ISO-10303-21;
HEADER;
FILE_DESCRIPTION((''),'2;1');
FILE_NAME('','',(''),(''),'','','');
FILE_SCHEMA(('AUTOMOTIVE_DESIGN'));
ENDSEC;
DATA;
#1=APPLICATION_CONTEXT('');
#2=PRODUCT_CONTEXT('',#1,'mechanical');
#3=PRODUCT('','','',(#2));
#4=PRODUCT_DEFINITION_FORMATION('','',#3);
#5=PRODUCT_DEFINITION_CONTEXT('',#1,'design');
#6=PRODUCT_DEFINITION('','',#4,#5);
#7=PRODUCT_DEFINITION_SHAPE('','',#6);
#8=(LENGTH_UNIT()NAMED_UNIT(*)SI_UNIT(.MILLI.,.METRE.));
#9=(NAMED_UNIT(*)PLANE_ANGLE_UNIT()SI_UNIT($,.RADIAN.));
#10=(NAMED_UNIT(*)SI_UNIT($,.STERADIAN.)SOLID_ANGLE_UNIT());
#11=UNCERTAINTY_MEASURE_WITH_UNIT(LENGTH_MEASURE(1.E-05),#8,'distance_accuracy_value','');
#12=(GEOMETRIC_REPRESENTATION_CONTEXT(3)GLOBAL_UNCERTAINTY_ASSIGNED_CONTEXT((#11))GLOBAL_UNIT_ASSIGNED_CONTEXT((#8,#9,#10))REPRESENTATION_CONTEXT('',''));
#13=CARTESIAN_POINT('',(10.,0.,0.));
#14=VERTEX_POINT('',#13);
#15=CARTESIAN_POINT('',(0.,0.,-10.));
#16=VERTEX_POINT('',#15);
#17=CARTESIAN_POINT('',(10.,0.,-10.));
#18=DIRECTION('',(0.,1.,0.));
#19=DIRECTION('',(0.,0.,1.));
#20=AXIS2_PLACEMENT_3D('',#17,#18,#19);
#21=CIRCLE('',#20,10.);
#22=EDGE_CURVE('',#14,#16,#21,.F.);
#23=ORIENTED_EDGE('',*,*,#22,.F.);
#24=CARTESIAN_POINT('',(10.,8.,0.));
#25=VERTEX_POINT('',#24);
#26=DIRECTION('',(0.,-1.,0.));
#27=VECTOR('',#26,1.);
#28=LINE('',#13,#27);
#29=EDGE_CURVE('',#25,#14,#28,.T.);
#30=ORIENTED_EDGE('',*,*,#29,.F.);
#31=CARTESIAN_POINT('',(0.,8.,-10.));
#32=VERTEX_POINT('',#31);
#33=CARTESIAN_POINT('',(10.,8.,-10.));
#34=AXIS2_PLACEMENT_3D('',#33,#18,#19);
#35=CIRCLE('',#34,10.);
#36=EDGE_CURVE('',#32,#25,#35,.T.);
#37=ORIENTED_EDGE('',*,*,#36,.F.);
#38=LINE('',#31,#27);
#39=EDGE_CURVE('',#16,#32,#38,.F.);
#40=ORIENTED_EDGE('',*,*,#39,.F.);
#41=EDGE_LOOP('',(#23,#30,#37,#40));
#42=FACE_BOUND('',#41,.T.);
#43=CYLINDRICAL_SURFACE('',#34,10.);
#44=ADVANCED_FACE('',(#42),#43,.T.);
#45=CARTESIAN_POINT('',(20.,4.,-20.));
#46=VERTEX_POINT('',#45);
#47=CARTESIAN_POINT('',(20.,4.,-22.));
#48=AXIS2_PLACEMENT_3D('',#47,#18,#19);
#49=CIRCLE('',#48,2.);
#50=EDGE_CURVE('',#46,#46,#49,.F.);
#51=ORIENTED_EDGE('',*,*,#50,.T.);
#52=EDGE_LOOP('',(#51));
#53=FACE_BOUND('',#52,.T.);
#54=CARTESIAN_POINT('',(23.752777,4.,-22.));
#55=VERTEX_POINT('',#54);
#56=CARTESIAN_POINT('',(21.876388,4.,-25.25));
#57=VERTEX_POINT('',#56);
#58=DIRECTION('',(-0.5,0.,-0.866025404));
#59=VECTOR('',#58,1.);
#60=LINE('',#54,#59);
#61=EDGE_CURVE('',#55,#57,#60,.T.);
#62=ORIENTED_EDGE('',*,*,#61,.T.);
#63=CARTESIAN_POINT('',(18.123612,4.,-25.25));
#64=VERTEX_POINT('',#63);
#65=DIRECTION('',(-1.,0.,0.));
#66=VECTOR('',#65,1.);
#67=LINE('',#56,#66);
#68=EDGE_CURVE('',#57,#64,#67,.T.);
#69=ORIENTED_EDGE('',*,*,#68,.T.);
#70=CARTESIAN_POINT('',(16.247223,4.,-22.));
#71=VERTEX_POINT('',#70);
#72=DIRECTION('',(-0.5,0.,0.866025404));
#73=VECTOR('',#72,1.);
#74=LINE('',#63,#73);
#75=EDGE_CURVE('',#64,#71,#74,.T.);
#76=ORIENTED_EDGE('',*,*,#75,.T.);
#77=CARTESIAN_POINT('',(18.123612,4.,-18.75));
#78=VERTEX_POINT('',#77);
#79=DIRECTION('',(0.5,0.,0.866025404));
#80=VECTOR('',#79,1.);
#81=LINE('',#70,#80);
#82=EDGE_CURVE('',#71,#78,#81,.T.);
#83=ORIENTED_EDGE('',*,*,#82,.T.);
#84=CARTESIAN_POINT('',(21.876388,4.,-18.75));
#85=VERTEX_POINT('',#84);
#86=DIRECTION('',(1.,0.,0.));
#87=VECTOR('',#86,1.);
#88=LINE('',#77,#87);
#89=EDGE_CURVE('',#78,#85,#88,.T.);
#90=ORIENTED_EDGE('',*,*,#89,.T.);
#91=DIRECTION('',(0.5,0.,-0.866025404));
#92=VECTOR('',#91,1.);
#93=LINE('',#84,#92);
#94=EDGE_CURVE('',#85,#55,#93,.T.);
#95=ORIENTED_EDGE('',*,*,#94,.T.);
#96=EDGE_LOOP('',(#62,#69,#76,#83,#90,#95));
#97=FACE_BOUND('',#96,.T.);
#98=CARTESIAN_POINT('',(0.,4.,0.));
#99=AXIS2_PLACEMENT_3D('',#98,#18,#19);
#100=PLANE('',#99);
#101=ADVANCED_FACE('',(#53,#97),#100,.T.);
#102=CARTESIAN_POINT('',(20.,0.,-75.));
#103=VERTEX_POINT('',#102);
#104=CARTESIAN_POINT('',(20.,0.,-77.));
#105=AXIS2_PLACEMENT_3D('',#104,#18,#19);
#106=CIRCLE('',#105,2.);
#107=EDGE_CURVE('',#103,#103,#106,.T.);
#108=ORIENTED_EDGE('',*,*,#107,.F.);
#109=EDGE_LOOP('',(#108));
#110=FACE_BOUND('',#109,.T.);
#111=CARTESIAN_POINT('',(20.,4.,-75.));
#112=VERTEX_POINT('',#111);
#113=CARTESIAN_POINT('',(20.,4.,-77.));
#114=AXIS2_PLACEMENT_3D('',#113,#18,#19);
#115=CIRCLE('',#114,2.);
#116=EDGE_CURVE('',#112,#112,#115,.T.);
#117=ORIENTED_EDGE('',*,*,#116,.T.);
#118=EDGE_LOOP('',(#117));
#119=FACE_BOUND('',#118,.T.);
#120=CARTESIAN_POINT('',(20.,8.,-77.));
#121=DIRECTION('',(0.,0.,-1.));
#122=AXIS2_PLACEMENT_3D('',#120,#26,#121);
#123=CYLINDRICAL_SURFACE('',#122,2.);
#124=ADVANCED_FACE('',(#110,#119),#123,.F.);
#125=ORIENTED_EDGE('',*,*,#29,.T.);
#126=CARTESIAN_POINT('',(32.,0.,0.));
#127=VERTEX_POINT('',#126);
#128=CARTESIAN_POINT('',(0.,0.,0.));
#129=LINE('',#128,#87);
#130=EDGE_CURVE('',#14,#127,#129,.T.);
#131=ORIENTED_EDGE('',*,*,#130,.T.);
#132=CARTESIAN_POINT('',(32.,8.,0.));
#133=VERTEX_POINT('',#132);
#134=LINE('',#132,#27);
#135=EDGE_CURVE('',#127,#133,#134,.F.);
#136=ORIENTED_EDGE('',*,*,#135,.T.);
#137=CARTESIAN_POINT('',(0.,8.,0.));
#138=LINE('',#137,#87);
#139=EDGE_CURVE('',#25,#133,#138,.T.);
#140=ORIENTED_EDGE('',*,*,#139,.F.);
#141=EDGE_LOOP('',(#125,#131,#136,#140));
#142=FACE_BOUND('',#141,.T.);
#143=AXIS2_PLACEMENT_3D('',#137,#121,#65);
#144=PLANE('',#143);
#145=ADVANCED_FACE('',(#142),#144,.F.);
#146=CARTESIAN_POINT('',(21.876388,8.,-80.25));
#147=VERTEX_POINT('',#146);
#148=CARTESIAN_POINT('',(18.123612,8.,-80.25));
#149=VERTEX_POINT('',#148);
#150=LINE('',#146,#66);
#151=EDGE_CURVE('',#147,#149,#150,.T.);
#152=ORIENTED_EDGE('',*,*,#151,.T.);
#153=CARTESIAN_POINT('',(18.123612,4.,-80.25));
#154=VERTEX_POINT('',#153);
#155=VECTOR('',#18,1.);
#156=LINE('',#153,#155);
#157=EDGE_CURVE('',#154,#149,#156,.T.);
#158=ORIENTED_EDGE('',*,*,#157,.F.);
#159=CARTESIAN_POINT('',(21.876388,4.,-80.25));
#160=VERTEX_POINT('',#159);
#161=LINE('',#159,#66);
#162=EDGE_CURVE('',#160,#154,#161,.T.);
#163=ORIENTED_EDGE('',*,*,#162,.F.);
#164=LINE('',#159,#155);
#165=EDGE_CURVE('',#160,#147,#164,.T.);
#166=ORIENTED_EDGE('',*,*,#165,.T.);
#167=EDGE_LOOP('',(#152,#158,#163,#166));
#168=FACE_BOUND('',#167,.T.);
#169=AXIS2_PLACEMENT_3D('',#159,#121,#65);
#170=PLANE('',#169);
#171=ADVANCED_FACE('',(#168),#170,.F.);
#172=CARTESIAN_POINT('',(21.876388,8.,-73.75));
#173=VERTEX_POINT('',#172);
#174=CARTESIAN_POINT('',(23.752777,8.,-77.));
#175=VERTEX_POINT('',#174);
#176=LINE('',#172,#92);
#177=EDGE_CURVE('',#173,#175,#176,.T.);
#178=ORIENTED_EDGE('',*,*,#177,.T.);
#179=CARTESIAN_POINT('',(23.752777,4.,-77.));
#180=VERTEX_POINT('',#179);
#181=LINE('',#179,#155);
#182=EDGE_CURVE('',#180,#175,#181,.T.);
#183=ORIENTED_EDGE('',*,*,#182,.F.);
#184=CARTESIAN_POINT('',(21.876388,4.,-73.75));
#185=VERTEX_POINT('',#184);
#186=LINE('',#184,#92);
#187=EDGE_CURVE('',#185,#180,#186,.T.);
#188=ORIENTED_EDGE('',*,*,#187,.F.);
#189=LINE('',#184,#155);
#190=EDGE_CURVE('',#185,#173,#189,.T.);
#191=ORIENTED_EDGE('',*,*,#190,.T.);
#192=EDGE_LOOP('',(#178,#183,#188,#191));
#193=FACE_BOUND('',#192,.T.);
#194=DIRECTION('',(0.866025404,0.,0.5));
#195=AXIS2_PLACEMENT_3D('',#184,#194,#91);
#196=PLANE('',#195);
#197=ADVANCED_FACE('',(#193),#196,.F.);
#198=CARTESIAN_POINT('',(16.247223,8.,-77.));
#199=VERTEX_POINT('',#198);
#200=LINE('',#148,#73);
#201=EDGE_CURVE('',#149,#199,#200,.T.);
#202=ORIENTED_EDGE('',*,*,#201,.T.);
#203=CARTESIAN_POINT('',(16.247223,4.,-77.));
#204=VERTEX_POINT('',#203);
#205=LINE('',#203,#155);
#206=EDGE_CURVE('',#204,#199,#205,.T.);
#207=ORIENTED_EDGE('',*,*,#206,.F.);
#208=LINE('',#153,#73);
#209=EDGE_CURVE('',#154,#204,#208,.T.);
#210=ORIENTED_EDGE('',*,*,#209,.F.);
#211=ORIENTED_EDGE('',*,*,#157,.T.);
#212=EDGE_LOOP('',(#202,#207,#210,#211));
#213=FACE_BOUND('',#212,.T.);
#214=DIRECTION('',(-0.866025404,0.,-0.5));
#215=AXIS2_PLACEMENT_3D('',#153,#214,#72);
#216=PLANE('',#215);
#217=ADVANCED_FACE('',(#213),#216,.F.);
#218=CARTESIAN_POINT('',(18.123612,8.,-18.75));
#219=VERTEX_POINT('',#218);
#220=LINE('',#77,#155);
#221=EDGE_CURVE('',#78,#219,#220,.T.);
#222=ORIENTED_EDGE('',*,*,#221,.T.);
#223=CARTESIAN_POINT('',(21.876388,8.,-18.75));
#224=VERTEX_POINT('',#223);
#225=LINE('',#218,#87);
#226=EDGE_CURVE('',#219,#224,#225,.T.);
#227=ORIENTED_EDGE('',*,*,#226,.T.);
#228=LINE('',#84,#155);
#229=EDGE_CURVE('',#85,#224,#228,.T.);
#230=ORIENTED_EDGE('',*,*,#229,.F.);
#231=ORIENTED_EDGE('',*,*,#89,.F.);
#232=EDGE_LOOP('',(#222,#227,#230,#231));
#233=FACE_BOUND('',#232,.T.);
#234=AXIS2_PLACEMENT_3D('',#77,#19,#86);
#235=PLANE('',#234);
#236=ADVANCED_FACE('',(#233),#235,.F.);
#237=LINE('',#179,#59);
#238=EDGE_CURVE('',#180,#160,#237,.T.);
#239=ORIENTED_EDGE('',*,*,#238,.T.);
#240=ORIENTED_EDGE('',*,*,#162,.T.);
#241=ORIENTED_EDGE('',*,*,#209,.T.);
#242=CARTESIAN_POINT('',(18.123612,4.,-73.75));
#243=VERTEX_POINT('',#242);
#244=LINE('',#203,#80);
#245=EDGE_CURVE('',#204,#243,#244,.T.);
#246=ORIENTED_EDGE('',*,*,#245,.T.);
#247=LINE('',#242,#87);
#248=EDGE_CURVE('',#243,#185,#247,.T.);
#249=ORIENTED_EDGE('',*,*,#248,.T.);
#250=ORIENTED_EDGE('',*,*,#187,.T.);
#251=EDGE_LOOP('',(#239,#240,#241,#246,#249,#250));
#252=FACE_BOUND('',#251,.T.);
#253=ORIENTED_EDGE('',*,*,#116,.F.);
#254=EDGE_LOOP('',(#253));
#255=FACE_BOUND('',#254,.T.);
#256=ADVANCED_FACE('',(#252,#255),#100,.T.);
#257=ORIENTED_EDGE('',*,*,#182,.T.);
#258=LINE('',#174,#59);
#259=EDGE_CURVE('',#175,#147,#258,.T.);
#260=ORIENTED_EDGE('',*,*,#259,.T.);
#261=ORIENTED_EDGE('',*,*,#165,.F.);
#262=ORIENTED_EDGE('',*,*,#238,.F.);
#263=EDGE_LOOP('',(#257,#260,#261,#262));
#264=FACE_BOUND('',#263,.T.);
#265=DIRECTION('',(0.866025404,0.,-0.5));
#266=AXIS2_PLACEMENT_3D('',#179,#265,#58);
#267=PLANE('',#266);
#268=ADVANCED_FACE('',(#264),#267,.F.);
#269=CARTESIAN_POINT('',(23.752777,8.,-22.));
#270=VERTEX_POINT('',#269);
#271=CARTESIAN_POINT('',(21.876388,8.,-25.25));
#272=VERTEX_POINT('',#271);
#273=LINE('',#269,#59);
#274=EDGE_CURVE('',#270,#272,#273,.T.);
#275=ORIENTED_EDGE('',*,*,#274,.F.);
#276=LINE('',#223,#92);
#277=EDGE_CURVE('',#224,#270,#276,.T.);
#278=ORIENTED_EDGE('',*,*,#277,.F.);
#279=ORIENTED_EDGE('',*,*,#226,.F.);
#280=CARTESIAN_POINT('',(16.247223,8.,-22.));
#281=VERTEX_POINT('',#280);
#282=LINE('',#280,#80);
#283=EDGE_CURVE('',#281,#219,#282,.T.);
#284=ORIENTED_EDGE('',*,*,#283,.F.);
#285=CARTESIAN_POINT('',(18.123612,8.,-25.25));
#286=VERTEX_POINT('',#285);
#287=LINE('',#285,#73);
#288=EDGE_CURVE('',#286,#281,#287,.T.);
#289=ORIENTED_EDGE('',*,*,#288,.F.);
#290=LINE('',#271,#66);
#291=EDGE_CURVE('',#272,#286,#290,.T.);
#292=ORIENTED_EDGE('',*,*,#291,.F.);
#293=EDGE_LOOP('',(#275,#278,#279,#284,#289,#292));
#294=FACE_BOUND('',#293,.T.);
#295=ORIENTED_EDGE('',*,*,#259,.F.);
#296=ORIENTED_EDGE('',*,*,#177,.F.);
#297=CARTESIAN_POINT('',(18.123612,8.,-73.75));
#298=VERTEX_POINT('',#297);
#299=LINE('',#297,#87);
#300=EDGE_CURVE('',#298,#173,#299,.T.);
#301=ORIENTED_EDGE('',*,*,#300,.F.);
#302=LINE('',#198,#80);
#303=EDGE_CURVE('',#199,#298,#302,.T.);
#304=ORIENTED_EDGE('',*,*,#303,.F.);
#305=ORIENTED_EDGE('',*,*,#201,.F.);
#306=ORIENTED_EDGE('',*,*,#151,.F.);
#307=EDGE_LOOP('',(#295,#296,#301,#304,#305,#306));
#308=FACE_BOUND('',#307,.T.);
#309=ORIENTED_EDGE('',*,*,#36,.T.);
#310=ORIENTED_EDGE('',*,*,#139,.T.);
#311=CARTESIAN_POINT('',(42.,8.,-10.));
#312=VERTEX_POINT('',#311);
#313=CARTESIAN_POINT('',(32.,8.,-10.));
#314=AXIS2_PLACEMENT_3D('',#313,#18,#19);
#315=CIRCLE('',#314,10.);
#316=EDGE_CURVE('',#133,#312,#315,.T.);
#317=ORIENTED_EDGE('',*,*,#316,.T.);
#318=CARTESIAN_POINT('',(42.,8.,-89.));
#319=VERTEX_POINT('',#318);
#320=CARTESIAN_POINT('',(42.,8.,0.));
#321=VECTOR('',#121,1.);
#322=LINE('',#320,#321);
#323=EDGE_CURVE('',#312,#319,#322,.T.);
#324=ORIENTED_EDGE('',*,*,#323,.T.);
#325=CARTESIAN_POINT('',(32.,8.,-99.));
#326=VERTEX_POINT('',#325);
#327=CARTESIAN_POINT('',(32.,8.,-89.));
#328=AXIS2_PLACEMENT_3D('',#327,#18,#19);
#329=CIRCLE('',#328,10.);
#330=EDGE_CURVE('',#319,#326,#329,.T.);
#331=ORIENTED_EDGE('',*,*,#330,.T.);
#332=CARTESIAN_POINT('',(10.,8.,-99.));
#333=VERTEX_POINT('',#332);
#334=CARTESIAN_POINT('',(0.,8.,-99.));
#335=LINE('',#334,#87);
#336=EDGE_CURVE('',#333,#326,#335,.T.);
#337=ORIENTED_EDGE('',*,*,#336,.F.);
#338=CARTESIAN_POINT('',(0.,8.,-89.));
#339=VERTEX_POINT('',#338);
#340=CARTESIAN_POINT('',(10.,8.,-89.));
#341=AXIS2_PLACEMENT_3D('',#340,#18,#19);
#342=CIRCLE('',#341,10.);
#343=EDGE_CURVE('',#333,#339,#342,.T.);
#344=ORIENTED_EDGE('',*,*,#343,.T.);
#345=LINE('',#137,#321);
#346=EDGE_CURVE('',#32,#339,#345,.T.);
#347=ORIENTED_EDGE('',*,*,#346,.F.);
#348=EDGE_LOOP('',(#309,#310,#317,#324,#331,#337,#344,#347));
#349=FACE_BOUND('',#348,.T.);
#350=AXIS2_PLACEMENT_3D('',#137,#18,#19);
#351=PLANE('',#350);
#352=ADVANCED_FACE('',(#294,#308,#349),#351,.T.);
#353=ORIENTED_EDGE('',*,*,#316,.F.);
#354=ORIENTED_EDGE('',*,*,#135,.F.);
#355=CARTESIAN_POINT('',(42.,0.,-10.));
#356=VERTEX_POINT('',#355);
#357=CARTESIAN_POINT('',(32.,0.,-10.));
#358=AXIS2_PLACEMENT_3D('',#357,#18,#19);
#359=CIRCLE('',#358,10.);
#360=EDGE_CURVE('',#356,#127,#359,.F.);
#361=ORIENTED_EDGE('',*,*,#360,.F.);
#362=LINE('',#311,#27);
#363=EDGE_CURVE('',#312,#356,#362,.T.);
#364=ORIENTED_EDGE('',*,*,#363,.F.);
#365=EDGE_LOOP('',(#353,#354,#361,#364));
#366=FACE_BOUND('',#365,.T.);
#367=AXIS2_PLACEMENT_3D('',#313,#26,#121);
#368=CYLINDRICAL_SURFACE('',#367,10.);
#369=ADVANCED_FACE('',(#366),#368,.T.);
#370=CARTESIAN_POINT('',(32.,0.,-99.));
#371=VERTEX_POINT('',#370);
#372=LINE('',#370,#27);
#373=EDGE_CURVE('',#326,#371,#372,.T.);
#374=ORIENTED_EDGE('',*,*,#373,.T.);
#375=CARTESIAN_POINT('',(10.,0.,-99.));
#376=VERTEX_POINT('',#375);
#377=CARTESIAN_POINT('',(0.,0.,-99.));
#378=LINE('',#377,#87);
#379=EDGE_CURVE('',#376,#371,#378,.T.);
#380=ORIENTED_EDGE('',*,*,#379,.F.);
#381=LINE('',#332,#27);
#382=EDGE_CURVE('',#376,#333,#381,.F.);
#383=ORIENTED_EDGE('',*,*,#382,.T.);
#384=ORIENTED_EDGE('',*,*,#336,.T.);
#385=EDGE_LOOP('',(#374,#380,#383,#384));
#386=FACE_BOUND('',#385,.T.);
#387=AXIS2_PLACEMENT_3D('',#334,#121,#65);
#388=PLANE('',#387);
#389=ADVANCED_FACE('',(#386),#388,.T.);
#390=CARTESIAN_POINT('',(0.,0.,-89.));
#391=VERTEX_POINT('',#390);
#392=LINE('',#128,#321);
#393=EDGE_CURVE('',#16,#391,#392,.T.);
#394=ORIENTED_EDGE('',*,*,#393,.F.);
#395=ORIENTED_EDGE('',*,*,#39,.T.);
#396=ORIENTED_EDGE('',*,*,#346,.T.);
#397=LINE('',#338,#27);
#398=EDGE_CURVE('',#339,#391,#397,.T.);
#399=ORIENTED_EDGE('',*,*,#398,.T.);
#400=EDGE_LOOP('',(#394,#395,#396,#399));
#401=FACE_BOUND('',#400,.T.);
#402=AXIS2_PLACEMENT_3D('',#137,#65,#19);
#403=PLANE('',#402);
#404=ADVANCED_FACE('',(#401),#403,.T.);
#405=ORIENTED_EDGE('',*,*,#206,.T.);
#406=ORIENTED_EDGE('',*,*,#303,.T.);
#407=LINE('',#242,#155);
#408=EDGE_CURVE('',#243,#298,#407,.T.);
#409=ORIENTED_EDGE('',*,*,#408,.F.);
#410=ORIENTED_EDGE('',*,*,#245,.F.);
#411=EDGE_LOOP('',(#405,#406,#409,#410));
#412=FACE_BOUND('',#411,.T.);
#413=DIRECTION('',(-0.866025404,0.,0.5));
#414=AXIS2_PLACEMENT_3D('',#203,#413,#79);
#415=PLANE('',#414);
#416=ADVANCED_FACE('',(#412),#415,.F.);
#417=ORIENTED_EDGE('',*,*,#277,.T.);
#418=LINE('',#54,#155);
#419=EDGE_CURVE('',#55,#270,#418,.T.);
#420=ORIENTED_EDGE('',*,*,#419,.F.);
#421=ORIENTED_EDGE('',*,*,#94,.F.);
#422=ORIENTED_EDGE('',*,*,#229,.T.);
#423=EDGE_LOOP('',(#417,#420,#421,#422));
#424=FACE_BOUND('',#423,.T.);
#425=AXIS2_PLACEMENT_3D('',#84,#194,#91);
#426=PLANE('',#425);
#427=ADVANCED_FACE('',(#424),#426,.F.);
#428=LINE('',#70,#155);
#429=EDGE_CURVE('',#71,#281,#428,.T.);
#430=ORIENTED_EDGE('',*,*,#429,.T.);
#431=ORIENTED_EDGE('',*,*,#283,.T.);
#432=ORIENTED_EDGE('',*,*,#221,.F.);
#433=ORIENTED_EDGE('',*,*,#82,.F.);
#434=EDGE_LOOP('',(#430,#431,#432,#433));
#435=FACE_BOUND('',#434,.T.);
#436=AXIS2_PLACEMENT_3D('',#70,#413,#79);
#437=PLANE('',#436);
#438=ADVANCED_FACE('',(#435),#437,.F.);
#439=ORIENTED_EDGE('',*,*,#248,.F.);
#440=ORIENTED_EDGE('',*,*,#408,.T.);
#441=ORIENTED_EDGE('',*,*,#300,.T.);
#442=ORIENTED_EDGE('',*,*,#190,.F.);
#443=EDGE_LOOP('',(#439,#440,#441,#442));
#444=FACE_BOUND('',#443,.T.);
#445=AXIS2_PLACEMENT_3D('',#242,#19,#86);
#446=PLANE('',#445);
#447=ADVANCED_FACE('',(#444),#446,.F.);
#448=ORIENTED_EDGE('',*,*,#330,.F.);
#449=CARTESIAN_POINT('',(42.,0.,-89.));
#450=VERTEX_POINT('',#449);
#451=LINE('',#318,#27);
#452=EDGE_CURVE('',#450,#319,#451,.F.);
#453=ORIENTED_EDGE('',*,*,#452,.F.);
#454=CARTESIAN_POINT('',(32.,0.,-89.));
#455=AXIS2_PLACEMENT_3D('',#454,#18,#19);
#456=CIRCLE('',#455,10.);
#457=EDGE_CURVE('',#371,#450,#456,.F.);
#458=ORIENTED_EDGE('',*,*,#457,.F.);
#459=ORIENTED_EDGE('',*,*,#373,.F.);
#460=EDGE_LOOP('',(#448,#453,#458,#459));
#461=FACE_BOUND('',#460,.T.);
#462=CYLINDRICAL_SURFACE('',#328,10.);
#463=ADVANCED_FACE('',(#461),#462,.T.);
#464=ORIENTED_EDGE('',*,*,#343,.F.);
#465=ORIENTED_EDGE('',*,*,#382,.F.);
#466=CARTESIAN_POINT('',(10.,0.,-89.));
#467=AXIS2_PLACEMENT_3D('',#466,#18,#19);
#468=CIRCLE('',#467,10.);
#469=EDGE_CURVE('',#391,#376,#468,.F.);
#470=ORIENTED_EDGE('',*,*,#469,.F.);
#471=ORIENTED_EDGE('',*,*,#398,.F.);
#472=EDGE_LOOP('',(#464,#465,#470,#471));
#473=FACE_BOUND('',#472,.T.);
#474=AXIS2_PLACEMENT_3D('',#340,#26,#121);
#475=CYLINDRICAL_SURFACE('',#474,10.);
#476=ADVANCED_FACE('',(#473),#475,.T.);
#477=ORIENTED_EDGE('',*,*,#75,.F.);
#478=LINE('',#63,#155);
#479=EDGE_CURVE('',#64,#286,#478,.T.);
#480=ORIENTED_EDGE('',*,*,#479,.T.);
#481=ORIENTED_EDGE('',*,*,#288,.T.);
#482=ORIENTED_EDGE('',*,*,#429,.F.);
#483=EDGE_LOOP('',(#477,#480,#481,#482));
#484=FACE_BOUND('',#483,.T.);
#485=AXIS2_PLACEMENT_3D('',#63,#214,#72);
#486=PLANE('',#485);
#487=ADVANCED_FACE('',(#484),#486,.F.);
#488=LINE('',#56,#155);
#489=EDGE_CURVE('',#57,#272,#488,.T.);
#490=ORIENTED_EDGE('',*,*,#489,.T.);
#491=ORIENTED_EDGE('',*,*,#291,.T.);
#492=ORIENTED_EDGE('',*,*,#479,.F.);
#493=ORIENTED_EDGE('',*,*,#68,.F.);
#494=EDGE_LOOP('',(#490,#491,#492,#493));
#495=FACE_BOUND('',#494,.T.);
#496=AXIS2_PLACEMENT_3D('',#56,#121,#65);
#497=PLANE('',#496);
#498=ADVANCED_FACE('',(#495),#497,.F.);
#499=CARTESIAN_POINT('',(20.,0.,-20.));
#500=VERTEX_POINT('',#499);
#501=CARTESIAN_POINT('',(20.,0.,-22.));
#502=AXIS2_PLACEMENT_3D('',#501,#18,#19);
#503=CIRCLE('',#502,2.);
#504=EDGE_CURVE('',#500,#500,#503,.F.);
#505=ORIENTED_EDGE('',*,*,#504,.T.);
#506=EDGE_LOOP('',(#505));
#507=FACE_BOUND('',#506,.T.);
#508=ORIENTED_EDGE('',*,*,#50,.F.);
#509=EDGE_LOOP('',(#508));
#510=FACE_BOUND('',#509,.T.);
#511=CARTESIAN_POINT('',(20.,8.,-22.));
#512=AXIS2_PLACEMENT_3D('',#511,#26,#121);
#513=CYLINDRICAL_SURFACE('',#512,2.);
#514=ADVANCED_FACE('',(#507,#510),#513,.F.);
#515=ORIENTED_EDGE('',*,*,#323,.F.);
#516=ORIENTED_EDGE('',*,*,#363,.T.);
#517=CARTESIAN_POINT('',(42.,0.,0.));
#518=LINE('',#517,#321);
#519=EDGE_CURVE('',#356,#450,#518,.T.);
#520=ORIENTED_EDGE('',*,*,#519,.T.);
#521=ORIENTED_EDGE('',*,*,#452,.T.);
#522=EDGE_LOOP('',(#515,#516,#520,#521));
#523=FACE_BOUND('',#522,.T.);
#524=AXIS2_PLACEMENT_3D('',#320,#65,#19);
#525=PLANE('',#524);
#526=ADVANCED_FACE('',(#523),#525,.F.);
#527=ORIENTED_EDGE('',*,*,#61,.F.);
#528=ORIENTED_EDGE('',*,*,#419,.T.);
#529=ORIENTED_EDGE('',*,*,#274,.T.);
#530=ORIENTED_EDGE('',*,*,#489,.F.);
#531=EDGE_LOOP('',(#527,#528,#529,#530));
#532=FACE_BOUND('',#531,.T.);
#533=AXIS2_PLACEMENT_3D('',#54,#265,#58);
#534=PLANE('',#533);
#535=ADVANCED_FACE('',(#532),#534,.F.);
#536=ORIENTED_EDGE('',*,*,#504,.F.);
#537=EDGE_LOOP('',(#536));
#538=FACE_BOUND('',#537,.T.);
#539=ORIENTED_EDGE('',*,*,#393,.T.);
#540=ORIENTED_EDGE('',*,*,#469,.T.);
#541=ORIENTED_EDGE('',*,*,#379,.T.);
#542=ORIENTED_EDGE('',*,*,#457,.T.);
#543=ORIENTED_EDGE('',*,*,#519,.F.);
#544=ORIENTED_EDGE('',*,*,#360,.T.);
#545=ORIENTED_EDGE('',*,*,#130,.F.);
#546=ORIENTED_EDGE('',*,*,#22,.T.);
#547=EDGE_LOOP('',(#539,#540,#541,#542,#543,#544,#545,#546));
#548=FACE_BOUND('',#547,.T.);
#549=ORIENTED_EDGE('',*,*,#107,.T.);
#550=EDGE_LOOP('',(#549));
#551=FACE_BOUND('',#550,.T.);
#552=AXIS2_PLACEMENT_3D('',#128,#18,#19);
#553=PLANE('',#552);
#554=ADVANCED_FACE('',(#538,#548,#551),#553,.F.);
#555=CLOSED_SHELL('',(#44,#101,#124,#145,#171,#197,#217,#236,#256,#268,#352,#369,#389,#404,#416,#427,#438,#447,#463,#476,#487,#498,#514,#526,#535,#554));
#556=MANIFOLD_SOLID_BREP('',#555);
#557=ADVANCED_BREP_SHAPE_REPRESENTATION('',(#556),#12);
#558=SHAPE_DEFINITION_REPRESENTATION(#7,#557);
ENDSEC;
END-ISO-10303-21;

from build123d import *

# Parameters (mm, degrees)
SKETCH1_W           = 42
SKETCH1_H           = 99
SKETCH1_R           = 2
BOSS_EXTRUDE1_DEPTH = 8
CUT_EXTRUDE1_DEPTH  = 4
FILLET1_R           = 10


with BuildPart() as part:
    # Sketch1 → Boss-Extrude1 (new body)
    with BuildSketch(Plane(origin=(0, 0, 0), x_dir=(1, 0, 0), z_dir=(0, 1, 0))):
        with Locations((21, 49.5)):
            Rectangle(SKETCH1_W, SKETCH1_H)
        with Locations(Location((20, 77, 0), (0, 0, 270))):
            Circle(SKETCH1_R, mode=Mode.SUBTRACT)
        with Locations(Location((20, 22, 0), (0, 0, 270))):
            Circle(SKETCH1_R, mode=Mode.SUBTRACT)
    extrude(amount=BOSS_EXTRUDE1_DEPTH)

    # Sketch2 → Cut-Extrude1 (cut)
    with BuildSketch(Plane(origin=(0, 8, 0), x_dir=(1, 0, 0), z_dir=(0, 1, 0))):
        Polygon((21.876388375, 80.25), (18.123611625, 80.25), (16.24722325, 77), (18.123611625, 73.75), (21.876388375, 73.75), (23.75277675, 77), align=None)
        Polygon((21.876388375, 18.75), (23.75277675, 22), (21.876388375, 25.25), (18.123611625, 25.25), (16.24722325, 22), (18.123611625, 18.75), align=None)
    extrude(amount=-CUT_EXTRUDE1_DEPTH, mode=Mode.SUBTRACT)

    # Fillet1
    fillet1_edges = [part.edges().sort_by_distance(p)[0] for p in [
        (0, 4, 0),
        (0, 4, -99),
        (42, 4, -99),
        (42, 4, 0),
    ]]
    fillet(fillet1_edges, radius=FILLET1_R)


solid = part.part
